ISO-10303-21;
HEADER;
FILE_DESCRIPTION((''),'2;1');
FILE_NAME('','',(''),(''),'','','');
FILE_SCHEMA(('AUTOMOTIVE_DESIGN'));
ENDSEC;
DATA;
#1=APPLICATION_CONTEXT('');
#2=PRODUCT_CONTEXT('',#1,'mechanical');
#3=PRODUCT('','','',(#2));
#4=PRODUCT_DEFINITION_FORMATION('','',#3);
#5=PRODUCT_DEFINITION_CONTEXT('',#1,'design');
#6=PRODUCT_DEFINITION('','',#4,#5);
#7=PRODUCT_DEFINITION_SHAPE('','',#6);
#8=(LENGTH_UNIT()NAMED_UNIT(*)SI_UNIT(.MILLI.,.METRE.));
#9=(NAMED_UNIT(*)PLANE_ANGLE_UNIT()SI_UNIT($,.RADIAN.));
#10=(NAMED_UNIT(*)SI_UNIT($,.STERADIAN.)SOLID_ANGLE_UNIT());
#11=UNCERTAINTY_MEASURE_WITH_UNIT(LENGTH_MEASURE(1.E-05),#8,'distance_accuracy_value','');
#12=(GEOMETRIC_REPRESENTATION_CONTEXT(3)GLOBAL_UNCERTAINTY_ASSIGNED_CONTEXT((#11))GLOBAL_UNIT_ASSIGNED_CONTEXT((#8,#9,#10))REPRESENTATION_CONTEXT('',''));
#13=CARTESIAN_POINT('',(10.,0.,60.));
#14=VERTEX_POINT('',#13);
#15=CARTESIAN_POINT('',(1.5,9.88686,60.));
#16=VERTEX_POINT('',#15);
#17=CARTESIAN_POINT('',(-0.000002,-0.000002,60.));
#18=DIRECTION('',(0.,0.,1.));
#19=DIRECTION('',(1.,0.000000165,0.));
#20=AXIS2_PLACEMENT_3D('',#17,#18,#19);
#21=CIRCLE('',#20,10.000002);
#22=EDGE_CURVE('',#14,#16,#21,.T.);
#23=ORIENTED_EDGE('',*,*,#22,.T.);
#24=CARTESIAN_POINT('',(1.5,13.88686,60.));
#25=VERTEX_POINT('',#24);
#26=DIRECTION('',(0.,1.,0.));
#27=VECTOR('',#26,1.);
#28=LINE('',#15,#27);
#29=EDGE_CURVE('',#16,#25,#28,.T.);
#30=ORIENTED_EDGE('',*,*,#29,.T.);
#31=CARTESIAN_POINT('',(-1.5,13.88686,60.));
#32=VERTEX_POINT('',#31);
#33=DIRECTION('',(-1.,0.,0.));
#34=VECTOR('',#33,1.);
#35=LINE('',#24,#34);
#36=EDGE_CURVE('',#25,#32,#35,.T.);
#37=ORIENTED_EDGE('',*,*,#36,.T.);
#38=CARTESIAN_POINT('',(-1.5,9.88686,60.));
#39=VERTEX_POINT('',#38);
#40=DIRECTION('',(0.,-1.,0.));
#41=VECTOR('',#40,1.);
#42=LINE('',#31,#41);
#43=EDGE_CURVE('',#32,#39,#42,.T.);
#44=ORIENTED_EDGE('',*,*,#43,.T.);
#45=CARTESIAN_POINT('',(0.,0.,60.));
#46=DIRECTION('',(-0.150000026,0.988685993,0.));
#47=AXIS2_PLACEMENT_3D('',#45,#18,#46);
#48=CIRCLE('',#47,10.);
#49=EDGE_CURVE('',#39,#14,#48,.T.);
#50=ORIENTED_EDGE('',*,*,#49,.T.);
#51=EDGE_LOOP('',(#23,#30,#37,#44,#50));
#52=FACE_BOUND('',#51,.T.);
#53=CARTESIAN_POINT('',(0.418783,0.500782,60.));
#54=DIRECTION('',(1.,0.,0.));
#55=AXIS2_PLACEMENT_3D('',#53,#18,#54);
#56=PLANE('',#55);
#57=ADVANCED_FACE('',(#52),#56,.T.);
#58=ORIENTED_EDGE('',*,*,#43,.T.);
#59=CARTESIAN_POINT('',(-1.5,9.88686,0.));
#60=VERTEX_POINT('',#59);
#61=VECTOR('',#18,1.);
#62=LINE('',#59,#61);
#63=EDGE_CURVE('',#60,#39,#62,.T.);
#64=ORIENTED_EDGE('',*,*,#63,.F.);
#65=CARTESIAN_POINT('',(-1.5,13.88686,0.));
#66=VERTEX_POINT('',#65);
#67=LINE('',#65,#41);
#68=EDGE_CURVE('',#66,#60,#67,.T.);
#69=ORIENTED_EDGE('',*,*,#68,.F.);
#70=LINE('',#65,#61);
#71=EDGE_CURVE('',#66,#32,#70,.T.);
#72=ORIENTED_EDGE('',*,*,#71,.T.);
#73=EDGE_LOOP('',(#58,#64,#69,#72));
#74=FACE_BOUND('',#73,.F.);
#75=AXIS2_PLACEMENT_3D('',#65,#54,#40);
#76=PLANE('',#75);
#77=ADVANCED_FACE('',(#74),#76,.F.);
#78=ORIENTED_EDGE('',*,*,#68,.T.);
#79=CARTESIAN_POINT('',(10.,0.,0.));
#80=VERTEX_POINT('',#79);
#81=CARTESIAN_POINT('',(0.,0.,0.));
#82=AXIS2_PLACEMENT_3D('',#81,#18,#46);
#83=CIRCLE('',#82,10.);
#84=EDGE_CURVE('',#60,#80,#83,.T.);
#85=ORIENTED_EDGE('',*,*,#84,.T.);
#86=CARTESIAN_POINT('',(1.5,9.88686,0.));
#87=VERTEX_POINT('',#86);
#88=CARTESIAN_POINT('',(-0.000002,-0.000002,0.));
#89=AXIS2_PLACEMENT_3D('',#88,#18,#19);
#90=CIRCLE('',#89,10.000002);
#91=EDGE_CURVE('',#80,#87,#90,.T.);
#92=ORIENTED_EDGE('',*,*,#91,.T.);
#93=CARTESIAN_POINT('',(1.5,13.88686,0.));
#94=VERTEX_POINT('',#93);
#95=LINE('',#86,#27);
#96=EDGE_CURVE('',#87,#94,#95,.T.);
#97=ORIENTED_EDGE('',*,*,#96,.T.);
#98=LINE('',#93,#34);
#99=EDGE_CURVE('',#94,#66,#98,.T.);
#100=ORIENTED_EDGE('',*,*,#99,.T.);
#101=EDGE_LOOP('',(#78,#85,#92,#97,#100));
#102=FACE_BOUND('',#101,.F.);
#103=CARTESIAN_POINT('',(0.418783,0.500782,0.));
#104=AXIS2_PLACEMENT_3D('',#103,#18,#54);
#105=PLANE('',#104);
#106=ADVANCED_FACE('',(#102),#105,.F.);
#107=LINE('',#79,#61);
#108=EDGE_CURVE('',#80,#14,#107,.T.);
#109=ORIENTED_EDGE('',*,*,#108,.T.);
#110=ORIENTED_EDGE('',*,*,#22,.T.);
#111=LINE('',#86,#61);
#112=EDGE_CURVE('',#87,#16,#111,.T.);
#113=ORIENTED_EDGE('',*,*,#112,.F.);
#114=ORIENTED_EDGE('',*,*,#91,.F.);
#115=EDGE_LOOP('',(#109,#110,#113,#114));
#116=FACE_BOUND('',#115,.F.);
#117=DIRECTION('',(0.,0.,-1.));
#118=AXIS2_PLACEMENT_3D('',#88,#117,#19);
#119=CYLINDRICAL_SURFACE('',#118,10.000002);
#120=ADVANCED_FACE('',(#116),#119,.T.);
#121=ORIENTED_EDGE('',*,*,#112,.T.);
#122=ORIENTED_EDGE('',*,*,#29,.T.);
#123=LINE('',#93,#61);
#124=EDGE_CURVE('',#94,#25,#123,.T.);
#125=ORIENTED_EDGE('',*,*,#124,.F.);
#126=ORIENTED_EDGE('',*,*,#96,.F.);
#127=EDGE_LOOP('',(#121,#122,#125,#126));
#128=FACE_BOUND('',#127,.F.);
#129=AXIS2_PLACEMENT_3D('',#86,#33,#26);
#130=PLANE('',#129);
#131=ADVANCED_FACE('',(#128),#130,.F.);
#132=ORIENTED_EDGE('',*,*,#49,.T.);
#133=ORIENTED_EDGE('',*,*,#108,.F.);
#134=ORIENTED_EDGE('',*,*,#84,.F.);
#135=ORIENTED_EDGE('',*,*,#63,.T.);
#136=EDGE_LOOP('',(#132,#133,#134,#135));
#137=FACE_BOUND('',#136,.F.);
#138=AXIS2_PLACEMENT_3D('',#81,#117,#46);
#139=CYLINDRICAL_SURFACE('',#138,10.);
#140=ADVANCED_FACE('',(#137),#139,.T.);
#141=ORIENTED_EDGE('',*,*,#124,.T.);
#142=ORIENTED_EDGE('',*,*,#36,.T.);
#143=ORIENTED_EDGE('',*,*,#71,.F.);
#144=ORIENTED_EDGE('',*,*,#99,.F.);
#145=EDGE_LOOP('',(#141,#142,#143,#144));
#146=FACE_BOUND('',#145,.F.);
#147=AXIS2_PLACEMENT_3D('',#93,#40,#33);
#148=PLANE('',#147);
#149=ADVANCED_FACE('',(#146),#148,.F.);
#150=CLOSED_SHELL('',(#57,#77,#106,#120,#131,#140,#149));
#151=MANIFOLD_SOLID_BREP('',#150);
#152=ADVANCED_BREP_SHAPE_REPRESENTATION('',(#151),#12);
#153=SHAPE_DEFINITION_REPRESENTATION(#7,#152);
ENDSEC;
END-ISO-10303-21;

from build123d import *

# Parameters (mm, degrees)
F1_DEPTH = 60


with BuildPart() as f1:
    # F0 (on Top) → F1 (new body)
    with BuildSketch(Plane.XY):
        with BuildLine():
            ThreePointArc((-1.5, 9.88686), (-6.519202, -7.582875), (10, 0))
            ThreePointArc((10, 0), (7.582875, 6.519202), (1.5, 9.88686))
            ThreePointArc((1.5, 9.88686), (0, 10), (-1.5, 9.88686))
        make_face()
        with BuildLine():
            ThreePointArc((-1.5, 9.88686), (0, 10), (1.5, 9.88686))
            Line((1.5, 9.88686), (1.5, 13.88686))
            Line((1.5, 13.88686), (-1.5, 13.88686))
            Line((-1.5, 13.88686), (-1.5, 9.88686))
        make_face()
    extrude(amount=F1_DEPTH)


solid = f1.part
